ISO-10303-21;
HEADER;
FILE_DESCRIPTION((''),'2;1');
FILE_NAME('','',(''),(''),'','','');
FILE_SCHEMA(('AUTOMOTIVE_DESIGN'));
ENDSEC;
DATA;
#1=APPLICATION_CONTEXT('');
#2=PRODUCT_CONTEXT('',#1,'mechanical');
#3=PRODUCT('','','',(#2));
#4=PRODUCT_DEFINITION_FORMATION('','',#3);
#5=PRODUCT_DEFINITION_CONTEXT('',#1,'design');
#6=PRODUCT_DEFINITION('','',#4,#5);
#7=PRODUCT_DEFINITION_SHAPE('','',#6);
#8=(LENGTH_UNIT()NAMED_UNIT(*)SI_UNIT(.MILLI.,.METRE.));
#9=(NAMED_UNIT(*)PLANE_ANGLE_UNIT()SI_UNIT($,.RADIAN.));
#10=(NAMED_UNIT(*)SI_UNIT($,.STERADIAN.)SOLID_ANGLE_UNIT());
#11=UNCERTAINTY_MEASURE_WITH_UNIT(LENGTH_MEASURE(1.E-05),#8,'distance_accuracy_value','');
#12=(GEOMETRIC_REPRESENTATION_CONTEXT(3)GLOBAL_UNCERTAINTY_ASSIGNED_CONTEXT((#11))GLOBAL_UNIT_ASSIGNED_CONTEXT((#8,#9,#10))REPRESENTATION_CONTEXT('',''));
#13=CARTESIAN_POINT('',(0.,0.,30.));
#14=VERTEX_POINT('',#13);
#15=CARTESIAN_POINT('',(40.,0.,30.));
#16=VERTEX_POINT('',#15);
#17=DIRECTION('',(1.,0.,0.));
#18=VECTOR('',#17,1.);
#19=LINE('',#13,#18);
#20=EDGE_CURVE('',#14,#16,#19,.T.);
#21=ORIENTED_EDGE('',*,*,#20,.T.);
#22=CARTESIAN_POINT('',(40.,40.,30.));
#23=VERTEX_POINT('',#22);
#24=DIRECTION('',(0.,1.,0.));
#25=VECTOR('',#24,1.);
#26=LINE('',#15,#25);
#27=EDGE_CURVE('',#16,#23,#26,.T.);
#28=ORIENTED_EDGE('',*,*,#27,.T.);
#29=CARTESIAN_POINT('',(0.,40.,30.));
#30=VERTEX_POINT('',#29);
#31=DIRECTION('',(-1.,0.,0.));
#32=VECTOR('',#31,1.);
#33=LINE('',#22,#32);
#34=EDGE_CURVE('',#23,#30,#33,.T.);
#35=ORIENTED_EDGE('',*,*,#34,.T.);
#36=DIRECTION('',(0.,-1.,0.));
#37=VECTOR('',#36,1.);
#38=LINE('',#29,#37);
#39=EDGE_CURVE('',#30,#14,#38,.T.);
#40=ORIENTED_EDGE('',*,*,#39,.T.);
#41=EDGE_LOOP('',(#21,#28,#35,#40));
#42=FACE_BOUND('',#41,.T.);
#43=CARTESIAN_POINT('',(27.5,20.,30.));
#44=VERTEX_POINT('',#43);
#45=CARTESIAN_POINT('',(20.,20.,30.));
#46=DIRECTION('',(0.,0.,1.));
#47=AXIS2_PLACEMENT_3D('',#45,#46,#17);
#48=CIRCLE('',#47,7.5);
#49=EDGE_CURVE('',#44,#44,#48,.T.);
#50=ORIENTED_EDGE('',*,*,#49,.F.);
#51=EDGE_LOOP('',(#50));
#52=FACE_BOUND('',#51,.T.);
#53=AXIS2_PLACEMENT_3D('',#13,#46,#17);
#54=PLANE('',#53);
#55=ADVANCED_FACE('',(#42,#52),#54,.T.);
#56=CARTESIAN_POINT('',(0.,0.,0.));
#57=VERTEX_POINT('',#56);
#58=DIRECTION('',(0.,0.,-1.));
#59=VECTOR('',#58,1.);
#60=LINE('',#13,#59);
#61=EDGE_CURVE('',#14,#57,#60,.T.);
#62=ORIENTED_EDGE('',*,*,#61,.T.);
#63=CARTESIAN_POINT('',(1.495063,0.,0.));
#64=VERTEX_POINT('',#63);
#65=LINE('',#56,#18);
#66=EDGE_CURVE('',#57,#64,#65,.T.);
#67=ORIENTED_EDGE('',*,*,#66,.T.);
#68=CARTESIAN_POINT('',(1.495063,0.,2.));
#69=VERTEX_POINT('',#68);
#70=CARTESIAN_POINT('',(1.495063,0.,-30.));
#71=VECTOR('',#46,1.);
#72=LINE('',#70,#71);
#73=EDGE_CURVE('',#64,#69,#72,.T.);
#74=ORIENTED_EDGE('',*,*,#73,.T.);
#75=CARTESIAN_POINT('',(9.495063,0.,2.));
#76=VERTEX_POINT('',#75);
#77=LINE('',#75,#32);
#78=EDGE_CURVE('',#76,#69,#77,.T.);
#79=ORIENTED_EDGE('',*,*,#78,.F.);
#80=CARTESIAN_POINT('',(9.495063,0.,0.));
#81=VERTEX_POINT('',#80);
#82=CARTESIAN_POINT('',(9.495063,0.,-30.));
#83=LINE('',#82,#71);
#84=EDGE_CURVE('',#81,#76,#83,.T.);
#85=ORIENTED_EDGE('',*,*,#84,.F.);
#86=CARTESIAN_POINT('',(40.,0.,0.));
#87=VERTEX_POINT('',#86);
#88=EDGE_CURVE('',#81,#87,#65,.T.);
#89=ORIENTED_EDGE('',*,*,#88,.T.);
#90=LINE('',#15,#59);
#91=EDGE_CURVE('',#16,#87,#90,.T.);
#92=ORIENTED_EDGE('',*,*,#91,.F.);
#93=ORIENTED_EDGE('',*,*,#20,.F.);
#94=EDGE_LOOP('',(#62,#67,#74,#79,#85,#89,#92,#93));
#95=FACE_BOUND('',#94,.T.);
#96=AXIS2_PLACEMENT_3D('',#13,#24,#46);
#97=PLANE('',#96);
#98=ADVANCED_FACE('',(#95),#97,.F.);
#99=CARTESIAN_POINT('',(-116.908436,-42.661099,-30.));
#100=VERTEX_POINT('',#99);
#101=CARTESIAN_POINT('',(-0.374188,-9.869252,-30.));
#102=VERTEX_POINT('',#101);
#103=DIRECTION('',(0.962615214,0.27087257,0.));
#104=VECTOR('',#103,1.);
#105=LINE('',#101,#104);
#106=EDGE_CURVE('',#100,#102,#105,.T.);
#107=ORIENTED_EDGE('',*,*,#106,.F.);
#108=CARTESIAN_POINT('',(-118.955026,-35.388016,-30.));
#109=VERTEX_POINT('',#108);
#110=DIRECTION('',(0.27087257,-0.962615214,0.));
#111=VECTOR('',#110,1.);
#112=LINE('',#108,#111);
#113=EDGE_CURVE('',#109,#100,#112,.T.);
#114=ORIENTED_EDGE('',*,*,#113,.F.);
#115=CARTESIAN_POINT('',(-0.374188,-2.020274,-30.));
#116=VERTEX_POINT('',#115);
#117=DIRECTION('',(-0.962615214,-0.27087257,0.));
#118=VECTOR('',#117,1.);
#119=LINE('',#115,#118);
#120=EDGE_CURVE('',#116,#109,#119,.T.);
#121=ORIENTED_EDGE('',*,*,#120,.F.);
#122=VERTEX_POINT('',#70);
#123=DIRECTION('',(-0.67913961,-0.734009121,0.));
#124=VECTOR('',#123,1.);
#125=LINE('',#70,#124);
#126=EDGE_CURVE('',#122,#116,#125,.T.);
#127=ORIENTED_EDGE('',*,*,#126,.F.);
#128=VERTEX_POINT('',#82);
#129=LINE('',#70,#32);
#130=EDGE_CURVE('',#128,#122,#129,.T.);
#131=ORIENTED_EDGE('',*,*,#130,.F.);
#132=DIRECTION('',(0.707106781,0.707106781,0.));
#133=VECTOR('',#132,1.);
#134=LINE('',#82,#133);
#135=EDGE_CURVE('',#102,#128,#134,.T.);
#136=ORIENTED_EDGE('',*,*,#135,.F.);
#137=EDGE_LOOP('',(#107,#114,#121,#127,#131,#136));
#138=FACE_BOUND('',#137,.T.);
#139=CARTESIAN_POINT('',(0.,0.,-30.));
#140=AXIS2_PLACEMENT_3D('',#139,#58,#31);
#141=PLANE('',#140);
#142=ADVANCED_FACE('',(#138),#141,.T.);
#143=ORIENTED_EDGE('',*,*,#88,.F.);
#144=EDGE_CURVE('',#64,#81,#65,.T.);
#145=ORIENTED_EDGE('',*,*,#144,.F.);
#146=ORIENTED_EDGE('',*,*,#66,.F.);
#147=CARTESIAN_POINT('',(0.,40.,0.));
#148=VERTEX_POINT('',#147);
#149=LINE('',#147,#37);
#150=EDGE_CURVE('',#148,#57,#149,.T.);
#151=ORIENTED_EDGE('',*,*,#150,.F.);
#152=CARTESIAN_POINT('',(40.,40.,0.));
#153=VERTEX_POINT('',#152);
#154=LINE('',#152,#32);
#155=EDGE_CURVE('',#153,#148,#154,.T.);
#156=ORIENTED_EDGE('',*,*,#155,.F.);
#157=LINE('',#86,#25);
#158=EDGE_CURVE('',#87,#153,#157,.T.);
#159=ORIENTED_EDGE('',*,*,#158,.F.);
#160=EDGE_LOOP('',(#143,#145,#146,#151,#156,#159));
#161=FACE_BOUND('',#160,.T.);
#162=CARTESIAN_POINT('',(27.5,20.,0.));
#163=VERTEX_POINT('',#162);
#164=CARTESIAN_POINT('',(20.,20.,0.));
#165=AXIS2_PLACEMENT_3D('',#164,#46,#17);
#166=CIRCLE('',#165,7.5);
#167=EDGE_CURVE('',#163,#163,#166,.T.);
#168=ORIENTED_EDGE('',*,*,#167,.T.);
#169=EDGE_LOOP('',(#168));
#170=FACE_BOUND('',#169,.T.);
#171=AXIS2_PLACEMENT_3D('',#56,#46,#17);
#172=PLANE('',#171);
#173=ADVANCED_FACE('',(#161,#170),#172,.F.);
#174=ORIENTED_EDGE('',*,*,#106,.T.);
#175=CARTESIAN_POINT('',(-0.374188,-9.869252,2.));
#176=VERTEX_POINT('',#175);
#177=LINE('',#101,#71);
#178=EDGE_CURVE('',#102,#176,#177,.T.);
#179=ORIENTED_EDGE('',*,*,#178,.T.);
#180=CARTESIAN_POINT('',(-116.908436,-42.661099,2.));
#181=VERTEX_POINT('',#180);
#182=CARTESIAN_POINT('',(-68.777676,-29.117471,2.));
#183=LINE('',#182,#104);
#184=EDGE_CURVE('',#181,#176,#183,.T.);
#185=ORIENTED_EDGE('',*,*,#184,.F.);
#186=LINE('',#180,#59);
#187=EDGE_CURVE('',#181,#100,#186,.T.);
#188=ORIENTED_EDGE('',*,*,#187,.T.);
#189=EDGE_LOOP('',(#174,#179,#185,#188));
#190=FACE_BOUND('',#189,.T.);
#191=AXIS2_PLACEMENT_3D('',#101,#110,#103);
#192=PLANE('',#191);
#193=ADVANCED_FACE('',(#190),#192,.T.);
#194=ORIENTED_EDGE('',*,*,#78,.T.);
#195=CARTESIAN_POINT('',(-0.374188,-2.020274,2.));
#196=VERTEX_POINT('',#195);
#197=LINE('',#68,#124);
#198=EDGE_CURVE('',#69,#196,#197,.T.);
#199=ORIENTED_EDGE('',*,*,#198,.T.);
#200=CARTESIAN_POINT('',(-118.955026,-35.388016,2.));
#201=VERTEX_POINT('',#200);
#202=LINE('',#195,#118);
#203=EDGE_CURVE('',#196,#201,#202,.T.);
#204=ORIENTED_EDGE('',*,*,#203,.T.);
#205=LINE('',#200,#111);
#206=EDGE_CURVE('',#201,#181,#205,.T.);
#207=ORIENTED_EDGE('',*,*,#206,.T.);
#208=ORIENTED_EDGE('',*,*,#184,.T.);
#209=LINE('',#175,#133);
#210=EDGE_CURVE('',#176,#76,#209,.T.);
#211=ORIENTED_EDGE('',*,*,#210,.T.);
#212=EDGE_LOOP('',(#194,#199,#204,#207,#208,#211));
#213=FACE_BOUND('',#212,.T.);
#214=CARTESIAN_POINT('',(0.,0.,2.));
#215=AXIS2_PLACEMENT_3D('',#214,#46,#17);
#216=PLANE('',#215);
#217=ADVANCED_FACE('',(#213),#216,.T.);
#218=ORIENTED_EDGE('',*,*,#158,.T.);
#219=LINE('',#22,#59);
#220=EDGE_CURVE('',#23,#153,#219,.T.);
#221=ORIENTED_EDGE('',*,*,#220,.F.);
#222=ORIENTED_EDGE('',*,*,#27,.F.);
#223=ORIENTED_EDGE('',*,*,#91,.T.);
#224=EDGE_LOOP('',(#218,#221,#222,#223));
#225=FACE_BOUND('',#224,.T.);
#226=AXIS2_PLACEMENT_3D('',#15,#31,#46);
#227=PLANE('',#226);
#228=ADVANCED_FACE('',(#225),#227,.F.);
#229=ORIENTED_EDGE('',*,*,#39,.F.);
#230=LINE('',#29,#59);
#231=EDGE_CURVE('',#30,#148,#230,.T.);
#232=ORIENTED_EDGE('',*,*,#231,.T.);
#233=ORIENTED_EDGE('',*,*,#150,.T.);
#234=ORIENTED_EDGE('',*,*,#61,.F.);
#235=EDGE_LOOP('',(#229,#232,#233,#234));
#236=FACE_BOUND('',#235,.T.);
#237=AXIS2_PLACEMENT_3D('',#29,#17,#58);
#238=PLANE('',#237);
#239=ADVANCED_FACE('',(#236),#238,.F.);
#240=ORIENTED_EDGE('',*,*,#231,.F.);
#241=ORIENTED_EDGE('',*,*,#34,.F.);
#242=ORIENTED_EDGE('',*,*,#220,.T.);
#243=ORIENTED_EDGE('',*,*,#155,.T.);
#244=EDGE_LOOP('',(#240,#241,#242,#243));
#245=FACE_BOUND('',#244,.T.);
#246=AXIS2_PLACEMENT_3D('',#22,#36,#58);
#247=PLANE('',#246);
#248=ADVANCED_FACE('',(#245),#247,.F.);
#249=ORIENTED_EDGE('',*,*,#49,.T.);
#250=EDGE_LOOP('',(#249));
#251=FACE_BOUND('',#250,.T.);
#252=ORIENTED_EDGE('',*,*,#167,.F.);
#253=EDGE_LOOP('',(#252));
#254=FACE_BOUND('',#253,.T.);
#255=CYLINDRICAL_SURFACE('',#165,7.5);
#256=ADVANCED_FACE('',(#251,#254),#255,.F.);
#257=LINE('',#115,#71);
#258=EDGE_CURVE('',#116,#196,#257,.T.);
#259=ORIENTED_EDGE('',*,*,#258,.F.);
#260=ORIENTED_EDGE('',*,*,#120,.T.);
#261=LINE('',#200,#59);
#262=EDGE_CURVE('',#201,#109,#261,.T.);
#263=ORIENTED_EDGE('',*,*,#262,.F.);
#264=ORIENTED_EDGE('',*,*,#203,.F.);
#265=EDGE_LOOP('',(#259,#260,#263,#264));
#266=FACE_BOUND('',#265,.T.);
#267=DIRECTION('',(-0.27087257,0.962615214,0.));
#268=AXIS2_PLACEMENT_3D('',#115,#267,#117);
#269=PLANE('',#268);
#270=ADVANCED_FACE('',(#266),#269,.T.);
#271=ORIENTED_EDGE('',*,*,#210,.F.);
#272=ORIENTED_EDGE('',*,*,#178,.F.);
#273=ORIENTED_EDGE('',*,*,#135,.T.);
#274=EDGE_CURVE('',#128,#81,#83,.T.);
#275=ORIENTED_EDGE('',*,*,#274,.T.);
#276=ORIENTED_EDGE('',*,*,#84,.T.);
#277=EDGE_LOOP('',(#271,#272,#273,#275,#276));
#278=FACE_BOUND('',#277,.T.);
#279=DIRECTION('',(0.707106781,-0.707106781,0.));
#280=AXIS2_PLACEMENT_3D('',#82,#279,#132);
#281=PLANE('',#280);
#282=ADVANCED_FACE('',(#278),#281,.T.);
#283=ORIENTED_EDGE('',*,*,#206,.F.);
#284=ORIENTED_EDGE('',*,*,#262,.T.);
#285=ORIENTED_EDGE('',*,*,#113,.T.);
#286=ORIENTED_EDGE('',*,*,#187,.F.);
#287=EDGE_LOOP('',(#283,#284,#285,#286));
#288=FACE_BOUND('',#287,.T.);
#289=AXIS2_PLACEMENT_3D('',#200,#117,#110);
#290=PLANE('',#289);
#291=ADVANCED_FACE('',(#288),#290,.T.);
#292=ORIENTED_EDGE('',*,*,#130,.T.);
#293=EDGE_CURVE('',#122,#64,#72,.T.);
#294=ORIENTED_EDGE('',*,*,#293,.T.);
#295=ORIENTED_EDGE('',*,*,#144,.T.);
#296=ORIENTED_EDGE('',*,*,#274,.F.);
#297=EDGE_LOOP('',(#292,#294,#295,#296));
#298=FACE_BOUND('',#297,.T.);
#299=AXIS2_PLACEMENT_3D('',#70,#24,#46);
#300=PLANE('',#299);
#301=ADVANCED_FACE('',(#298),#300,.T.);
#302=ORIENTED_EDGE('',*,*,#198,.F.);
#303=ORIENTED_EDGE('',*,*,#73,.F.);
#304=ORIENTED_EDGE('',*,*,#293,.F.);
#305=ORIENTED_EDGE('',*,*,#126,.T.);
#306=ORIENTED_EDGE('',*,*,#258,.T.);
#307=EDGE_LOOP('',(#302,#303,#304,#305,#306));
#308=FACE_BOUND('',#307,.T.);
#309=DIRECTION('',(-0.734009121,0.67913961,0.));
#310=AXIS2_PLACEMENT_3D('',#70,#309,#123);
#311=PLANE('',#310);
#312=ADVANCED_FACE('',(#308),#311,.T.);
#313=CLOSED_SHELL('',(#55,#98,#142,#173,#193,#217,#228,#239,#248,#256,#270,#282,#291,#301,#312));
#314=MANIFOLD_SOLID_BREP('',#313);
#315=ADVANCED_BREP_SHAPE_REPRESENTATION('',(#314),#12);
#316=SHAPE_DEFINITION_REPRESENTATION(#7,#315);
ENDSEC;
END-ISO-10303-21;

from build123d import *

# Parameters (mm, degrees)
CROQUIS1_W              = 40
CROQUIS1_H              = 40
SALIENTE_EXTRUIR1_DEPTH = 30
CROQUIS2_R              = 7.5
CORTAR_EXTRUIR1_DEPTH   = 30
SALIENTE_EXTRUIR2_DEPTH = 60
CORTAR_EXTRUIR2_DEPTH   = 28
CROQUIS5_W              = 30
CROQUIS5_H              = 32
SALIENTE_EXTRUIR3_DEPTH = 7.555544
CROQUIS6_W              = 20
CROQUIS6_H              = 32
SALIENTE_EXTRUIR4_DEPTH = 7.555546


with BuildPart() as part:
    # Croquis1 → Saliente-Extruir1 (new body)
    with BuildSketch(Plane.XY):
        with Locations((20, 20)):
            Rectangle(CROQUIS1_W, CROQUIS1_H)
    extrude(amount=SALIENTE_EXTRUIR1_DEPTH)

    # Croquis2 → Cortar-Extruir1 (cut)
    with BuildSketch(Plane.XY.offset(30)):
        with Locations((20, 20)):
            Circle(CROQUIS2_R)
    extrude(amount=-CORTAR_EXTRUIR1_DEPTH, mode=Mode.SUBTRACT)

    # Croquis3 → Saliente-Extruir2 (add)
    with BuildSketch(Plane.XY.offset(30)):
        Polygon((1.49506347, 0), (9.49506347, 0), (-0.374188302, -9.869251771), (-68.777675608, -29.117470727), (-70.824265709, -21.844387418), (-0.374188302, -2.020273637), align=None)
    extrude(amount=-SALIENTE_EXTRUIR2_DEPTH)

    # Croquis4 → Cortar-Extruir2 (cut)
    with BuildSketch(Plane.XY.offset(30)):
        Polygon((-70.824265709, -21.844387418), (-68.777675608, -29.117470727), (-0.374188302, -9.869251771), (9.49506347, 0), (1.49506347, 0), (-0.374188302, -2.020273637), align=None)
    extrude(amount=-CORTAR_EXTRUIR2_DEPTH, mode=Mode.SUBTRACT)

    # Croquis5 → Saliente-Extruir3 (add)
    with BuildSketch(Plane(origin=(2.545913561, -9.047557407, 0), x_dir=(0.9626152142655234, 0.2708725701589966, 0), z_dir=(0.2708725701589965, -0.9626152142655233, 0))):
        with Locations((-89.093561074, -14)):
            Rectangle(CROQUIS5_W, CROQUIS5_H)
    extrude(amount=-SALIENTE_EXTRUIR3_DEPTH)

    # Croquis6 → Saliente-Extruir4 (add)
    with BuildSketch(Plane(origin=(2.545913561, -9.047557407, 0), x_dir=(0.9626152142655234, 0.2708725701589966, 0), z_dir=(0.2708725701589965, -0.9626152142655233, 0))):
        with Locations((-114.093561074, -14)):
            Rectangle(CROQUIS6_W, CROQUIS6_H)
    extrude(amount=-SALIENTE_EXTRUIR4_DEPTH)


solid = part.part
